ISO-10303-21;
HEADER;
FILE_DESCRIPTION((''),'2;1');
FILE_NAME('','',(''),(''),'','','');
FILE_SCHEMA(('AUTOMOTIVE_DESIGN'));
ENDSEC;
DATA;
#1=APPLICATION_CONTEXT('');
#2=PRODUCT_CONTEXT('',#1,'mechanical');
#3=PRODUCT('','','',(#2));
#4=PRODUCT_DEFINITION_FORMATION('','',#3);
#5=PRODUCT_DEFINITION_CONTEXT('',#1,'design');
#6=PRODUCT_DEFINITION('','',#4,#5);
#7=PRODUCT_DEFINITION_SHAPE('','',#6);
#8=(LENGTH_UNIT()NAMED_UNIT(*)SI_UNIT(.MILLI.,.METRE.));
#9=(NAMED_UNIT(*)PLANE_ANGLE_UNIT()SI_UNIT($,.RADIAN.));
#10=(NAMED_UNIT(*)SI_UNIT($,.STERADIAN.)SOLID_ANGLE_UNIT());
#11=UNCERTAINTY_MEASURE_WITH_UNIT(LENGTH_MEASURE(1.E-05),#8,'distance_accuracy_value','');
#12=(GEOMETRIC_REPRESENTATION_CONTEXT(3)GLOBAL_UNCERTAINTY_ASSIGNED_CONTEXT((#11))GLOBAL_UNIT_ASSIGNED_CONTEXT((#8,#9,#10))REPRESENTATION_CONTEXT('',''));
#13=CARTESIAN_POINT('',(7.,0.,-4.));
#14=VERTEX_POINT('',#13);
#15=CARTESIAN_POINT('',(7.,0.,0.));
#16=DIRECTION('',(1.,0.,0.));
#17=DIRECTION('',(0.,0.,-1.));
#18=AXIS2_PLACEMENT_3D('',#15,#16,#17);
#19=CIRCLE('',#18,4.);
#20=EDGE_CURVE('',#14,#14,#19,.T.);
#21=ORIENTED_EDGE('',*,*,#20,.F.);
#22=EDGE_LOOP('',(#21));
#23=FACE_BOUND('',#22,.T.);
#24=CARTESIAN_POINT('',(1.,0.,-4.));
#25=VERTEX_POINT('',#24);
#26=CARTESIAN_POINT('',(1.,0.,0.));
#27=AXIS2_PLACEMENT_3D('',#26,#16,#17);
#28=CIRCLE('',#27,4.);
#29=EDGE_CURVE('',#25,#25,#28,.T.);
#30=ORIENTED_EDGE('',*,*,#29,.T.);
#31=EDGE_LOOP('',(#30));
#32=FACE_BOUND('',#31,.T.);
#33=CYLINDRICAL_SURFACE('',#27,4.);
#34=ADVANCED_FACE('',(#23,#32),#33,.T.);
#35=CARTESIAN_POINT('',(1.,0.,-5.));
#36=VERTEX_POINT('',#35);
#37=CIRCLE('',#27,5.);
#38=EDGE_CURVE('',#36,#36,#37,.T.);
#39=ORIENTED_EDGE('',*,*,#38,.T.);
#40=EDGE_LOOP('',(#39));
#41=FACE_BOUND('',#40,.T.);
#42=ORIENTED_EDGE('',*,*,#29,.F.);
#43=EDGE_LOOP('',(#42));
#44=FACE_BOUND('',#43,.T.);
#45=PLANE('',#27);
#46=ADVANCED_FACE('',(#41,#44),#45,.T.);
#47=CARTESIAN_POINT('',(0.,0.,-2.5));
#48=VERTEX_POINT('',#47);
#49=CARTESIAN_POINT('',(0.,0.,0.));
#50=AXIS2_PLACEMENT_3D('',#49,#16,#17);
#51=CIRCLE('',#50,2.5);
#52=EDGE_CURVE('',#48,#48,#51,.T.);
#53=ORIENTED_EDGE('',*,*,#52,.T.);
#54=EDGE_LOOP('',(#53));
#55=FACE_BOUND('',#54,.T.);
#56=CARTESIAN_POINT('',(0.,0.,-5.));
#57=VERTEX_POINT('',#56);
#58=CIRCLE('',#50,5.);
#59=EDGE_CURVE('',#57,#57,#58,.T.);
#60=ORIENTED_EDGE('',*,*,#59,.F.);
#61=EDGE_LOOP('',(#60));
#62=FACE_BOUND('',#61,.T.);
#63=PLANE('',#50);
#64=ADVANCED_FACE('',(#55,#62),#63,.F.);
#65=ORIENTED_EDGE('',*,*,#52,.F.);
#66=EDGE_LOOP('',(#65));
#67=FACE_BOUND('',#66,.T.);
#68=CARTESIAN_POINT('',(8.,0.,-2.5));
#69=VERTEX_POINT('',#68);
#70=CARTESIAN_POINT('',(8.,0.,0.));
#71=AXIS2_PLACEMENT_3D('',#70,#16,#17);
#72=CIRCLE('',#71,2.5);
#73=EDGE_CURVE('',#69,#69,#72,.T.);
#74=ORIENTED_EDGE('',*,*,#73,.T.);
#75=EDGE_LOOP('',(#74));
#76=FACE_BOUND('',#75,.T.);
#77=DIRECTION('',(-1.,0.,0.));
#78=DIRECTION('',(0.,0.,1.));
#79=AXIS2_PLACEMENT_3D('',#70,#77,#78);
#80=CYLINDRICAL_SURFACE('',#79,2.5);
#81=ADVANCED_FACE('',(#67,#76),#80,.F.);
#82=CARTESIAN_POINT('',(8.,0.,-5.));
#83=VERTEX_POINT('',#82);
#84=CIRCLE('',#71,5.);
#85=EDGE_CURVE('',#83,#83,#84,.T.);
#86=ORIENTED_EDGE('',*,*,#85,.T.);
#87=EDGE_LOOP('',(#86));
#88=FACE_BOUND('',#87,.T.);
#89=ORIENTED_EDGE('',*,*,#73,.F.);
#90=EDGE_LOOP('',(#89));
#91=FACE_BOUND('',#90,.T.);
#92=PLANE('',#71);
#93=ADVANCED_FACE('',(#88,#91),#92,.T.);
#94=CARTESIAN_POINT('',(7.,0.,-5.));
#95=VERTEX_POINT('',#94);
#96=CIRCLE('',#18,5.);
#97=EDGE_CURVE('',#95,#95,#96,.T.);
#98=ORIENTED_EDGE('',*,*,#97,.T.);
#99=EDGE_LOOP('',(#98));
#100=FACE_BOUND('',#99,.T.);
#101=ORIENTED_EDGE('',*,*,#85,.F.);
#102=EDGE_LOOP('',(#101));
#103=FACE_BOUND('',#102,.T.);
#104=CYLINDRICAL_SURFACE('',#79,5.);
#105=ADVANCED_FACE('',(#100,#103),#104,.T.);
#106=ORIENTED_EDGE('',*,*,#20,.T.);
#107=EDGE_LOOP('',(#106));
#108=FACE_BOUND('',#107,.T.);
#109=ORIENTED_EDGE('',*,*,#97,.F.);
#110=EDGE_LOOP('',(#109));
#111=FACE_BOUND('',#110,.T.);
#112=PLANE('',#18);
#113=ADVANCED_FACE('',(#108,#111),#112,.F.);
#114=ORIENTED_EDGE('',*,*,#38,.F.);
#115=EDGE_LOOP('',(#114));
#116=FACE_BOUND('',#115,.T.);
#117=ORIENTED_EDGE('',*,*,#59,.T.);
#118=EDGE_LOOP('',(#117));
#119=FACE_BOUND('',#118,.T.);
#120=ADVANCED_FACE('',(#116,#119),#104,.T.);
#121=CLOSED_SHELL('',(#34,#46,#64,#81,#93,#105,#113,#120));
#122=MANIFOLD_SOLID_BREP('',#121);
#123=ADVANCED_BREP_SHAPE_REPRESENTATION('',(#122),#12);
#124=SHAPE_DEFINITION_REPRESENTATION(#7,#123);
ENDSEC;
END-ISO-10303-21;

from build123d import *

# Parameters (mm, degrees)
SKETCH_1_R          = 5
SKETCH_1_R_2        = 2.5
EXTRUDE_1_DEPTH     = 8
SKETCH_2_R          = 5
SKETCH_2_R_2        = 4
CUT_EXTRUDE_1_DEPTH = 3


with BuildPart() as part:
    # 草图1 → 凸台-拉伸1 (new body)
    with BuildSketch(Plane(origin=(0, 0, 0), x_dir=(0, 0, -1), z_dir=(1, 0, 0))):
        Circle(SKETCH_1_R)
        Circle(SKETCH_1_R_2, mode=Mode.SUBTRACT)
    extrude(amount=EXTRUDE_1_DEPTH)

    # 草图2 → 切除-拉伸1 (cut, symmetric)
    with BuildSketch(Plane(origin=(4, 0, 0), x_dir=(0, 0, -1), z_dir=(1, 0, 0))):
        Circle(SKETCH_2_R)
        Circle(SKETCH_2_R_2, mode=Mode.SUBTRACT)
    extrude(amount=CUT_EXTRUDE_1_DEPTH, both=True, mode=Mode.SUBTRACT)


solid = part.part
